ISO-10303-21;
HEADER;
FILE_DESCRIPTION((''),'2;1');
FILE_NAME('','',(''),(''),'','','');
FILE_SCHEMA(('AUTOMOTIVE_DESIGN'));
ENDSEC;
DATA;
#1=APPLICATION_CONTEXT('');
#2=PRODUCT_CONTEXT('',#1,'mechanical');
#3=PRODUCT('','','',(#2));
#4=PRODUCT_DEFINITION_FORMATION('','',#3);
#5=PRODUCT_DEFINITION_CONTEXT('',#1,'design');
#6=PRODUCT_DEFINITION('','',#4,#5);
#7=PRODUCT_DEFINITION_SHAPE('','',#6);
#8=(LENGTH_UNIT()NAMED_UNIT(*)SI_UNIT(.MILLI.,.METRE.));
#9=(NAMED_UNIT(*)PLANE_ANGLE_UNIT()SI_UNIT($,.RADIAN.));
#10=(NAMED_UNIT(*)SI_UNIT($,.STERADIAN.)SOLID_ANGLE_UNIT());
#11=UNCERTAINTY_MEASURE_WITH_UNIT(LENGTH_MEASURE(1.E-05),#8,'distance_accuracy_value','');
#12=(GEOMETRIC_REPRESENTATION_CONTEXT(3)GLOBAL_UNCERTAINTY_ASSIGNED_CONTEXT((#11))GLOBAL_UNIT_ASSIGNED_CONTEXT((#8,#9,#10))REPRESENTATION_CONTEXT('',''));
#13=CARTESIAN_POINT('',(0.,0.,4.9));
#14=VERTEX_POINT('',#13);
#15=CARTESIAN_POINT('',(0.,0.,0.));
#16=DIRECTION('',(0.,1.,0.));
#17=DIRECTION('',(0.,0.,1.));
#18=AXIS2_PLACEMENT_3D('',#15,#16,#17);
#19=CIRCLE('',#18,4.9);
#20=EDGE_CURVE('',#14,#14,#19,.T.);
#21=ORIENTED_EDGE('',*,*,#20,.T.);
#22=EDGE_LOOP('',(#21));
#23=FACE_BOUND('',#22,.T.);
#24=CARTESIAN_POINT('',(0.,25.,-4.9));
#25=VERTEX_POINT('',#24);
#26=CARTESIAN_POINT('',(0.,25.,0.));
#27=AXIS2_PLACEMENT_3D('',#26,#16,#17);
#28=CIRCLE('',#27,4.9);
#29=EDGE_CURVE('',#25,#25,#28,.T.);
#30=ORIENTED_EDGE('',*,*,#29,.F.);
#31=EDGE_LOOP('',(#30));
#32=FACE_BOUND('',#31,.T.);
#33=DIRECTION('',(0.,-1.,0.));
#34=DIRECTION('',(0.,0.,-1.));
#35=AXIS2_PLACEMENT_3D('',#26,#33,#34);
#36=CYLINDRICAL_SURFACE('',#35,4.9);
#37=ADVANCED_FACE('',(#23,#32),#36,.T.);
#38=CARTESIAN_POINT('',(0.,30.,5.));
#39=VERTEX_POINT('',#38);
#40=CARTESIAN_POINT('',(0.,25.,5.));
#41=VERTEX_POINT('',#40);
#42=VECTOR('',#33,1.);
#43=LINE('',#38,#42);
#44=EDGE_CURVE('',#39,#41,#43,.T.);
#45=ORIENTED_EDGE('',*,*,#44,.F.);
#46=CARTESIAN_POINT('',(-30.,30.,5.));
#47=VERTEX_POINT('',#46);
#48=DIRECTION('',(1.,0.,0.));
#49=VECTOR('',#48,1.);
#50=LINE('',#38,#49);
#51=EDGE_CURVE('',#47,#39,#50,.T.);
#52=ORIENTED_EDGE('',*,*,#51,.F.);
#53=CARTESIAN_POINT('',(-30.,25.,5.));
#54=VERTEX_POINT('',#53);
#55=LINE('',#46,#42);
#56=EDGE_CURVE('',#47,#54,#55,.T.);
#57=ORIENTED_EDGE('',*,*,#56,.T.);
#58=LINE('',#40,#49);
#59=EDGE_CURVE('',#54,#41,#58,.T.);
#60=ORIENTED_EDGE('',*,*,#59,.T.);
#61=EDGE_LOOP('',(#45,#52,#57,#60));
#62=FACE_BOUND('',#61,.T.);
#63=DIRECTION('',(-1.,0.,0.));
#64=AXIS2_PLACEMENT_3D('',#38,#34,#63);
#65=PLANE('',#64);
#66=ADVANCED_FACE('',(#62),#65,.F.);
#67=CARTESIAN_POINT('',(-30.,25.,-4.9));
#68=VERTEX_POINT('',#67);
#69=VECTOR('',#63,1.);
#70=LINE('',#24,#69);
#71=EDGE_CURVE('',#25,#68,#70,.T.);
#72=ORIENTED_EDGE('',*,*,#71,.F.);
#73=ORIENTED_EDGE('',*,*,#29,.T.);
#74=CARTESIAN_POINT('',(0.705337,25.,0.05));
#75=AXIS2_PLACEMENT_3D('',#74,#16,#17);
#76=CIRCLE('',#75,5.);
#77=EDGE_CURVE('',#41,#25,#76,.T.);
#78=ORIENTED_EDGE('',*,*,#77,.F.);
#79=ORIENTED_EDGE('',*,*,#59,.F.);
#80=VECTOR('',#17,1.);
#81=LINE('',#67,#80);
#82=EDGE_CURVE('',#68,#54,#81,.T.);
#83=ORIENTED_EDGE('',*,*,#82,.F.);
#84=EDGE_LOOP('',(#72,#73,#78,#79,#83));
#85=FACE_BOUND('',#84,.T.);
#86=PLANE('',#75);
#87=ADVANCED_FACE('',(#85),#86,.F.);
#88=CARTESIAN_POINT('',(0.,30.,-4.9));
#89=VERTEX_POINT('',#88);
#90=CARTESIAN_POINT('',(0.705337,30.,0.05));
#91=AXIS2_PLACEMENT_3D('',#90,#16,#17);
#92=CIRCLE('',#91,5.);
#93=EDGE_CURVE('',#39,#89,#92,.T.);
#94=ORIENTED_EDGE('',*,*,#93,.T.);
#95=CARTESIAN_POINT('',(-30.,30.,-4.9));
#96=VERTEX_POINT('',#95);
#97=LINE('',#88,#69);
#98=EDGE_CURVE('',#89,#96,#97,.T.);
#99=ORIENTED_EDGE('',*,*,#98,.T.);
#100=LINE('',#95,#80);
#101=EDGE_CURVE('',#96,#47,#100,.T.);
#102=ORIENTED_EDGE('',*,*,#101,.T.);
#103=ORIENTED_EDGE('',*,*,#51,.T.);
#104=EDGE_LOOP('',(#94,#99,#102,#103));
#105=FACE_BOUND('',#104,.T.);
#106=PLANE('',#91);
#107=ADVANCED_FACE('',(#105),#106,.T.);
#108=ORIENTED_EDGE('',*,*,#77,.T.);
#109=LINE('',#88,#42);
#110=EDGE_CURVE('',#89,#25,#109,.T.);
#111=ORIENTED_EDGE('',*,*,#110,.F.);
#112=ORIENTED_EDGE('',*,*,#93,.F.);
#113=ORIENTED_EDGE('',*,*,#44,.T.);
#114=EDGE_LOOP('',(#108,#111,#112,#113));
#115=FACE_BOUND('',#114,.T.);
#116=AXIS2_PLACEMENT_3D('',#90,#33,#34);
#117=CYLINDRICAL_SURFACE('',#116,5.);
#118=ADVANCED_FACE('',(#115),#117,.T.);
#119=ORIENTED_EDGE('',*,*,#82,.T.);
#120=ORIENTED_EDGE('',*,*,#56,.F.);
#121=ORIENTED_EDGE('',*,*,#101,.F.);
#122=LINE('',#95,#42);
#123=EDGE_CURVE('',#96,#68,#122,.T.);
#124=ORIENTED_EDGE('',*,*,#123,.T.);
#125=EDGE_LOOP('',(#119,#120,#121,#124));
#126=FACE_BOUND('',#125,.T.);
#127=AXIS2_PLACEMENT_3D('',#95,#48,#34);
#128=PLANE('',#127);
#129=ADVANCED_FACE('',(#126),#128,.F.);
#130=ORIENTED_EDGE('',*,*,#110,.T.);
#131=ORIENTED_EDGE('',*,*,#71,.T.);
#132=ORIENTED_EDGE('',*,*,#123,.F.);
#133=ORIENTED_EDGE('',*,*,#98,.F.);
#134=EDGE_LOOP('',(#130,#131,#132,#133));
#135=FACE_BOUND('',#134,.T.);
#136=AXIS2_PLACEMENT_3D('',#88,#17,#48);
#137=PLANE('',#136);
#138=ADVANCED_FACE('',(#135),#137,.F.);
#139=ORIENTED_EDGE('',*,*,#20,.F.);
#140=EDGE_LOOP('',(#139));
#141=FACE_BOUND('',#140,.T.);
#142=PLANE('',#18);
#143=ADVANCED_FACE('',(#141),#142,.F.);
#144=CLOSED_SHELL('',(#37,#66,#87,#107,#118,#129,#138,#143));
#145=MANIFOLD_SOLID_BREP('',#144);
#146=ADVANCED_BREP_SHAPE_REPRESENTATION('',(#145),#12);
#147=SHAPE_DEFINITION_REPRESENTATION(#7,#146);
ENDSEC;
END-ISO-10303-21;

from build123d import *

# Parameters (mm, degrees)
SKETCH1_R           = 4.9
BOSS_EXTRUDE1_DEPTH = 25
BOSS_EXTRUDE2_DEPTH = 5


with BuildPart() as part:
    # Sketch1 → Boss-Extrude1 (new body)
    with BuildSketch(Plane(origin=(0, 0, 0), x_dir=(1, 0, 0), z_dir=(0, 1, 0))):
        with Locations(Location((0, 0, 0), (0, 0, 270))):
            Circle(SKETCH1_R)
    extrude(amount=BOSS_EXTRUDE1_DEPTH)

    # Sketch2 → Boss-Extrude2 (add)
    with BuildSketch(Plane(origin=(0, 25, 0), x_dir=(1, 0, 0), z_dir=(0, 1, 0))):
        with BuildLine():
            Line((0, 4.9), (-30, 4.9))
            Line((-30, 4.9), (-30, -5))
            Line((-30, -5), (0, -5))
            ThreePointArc((0, -5), (5.705336799, -0.05), (0, 4.9))
        make_face()
    extrude(amount=BOSS_EXTRUDE2_DEPTH)


solid = part.part
